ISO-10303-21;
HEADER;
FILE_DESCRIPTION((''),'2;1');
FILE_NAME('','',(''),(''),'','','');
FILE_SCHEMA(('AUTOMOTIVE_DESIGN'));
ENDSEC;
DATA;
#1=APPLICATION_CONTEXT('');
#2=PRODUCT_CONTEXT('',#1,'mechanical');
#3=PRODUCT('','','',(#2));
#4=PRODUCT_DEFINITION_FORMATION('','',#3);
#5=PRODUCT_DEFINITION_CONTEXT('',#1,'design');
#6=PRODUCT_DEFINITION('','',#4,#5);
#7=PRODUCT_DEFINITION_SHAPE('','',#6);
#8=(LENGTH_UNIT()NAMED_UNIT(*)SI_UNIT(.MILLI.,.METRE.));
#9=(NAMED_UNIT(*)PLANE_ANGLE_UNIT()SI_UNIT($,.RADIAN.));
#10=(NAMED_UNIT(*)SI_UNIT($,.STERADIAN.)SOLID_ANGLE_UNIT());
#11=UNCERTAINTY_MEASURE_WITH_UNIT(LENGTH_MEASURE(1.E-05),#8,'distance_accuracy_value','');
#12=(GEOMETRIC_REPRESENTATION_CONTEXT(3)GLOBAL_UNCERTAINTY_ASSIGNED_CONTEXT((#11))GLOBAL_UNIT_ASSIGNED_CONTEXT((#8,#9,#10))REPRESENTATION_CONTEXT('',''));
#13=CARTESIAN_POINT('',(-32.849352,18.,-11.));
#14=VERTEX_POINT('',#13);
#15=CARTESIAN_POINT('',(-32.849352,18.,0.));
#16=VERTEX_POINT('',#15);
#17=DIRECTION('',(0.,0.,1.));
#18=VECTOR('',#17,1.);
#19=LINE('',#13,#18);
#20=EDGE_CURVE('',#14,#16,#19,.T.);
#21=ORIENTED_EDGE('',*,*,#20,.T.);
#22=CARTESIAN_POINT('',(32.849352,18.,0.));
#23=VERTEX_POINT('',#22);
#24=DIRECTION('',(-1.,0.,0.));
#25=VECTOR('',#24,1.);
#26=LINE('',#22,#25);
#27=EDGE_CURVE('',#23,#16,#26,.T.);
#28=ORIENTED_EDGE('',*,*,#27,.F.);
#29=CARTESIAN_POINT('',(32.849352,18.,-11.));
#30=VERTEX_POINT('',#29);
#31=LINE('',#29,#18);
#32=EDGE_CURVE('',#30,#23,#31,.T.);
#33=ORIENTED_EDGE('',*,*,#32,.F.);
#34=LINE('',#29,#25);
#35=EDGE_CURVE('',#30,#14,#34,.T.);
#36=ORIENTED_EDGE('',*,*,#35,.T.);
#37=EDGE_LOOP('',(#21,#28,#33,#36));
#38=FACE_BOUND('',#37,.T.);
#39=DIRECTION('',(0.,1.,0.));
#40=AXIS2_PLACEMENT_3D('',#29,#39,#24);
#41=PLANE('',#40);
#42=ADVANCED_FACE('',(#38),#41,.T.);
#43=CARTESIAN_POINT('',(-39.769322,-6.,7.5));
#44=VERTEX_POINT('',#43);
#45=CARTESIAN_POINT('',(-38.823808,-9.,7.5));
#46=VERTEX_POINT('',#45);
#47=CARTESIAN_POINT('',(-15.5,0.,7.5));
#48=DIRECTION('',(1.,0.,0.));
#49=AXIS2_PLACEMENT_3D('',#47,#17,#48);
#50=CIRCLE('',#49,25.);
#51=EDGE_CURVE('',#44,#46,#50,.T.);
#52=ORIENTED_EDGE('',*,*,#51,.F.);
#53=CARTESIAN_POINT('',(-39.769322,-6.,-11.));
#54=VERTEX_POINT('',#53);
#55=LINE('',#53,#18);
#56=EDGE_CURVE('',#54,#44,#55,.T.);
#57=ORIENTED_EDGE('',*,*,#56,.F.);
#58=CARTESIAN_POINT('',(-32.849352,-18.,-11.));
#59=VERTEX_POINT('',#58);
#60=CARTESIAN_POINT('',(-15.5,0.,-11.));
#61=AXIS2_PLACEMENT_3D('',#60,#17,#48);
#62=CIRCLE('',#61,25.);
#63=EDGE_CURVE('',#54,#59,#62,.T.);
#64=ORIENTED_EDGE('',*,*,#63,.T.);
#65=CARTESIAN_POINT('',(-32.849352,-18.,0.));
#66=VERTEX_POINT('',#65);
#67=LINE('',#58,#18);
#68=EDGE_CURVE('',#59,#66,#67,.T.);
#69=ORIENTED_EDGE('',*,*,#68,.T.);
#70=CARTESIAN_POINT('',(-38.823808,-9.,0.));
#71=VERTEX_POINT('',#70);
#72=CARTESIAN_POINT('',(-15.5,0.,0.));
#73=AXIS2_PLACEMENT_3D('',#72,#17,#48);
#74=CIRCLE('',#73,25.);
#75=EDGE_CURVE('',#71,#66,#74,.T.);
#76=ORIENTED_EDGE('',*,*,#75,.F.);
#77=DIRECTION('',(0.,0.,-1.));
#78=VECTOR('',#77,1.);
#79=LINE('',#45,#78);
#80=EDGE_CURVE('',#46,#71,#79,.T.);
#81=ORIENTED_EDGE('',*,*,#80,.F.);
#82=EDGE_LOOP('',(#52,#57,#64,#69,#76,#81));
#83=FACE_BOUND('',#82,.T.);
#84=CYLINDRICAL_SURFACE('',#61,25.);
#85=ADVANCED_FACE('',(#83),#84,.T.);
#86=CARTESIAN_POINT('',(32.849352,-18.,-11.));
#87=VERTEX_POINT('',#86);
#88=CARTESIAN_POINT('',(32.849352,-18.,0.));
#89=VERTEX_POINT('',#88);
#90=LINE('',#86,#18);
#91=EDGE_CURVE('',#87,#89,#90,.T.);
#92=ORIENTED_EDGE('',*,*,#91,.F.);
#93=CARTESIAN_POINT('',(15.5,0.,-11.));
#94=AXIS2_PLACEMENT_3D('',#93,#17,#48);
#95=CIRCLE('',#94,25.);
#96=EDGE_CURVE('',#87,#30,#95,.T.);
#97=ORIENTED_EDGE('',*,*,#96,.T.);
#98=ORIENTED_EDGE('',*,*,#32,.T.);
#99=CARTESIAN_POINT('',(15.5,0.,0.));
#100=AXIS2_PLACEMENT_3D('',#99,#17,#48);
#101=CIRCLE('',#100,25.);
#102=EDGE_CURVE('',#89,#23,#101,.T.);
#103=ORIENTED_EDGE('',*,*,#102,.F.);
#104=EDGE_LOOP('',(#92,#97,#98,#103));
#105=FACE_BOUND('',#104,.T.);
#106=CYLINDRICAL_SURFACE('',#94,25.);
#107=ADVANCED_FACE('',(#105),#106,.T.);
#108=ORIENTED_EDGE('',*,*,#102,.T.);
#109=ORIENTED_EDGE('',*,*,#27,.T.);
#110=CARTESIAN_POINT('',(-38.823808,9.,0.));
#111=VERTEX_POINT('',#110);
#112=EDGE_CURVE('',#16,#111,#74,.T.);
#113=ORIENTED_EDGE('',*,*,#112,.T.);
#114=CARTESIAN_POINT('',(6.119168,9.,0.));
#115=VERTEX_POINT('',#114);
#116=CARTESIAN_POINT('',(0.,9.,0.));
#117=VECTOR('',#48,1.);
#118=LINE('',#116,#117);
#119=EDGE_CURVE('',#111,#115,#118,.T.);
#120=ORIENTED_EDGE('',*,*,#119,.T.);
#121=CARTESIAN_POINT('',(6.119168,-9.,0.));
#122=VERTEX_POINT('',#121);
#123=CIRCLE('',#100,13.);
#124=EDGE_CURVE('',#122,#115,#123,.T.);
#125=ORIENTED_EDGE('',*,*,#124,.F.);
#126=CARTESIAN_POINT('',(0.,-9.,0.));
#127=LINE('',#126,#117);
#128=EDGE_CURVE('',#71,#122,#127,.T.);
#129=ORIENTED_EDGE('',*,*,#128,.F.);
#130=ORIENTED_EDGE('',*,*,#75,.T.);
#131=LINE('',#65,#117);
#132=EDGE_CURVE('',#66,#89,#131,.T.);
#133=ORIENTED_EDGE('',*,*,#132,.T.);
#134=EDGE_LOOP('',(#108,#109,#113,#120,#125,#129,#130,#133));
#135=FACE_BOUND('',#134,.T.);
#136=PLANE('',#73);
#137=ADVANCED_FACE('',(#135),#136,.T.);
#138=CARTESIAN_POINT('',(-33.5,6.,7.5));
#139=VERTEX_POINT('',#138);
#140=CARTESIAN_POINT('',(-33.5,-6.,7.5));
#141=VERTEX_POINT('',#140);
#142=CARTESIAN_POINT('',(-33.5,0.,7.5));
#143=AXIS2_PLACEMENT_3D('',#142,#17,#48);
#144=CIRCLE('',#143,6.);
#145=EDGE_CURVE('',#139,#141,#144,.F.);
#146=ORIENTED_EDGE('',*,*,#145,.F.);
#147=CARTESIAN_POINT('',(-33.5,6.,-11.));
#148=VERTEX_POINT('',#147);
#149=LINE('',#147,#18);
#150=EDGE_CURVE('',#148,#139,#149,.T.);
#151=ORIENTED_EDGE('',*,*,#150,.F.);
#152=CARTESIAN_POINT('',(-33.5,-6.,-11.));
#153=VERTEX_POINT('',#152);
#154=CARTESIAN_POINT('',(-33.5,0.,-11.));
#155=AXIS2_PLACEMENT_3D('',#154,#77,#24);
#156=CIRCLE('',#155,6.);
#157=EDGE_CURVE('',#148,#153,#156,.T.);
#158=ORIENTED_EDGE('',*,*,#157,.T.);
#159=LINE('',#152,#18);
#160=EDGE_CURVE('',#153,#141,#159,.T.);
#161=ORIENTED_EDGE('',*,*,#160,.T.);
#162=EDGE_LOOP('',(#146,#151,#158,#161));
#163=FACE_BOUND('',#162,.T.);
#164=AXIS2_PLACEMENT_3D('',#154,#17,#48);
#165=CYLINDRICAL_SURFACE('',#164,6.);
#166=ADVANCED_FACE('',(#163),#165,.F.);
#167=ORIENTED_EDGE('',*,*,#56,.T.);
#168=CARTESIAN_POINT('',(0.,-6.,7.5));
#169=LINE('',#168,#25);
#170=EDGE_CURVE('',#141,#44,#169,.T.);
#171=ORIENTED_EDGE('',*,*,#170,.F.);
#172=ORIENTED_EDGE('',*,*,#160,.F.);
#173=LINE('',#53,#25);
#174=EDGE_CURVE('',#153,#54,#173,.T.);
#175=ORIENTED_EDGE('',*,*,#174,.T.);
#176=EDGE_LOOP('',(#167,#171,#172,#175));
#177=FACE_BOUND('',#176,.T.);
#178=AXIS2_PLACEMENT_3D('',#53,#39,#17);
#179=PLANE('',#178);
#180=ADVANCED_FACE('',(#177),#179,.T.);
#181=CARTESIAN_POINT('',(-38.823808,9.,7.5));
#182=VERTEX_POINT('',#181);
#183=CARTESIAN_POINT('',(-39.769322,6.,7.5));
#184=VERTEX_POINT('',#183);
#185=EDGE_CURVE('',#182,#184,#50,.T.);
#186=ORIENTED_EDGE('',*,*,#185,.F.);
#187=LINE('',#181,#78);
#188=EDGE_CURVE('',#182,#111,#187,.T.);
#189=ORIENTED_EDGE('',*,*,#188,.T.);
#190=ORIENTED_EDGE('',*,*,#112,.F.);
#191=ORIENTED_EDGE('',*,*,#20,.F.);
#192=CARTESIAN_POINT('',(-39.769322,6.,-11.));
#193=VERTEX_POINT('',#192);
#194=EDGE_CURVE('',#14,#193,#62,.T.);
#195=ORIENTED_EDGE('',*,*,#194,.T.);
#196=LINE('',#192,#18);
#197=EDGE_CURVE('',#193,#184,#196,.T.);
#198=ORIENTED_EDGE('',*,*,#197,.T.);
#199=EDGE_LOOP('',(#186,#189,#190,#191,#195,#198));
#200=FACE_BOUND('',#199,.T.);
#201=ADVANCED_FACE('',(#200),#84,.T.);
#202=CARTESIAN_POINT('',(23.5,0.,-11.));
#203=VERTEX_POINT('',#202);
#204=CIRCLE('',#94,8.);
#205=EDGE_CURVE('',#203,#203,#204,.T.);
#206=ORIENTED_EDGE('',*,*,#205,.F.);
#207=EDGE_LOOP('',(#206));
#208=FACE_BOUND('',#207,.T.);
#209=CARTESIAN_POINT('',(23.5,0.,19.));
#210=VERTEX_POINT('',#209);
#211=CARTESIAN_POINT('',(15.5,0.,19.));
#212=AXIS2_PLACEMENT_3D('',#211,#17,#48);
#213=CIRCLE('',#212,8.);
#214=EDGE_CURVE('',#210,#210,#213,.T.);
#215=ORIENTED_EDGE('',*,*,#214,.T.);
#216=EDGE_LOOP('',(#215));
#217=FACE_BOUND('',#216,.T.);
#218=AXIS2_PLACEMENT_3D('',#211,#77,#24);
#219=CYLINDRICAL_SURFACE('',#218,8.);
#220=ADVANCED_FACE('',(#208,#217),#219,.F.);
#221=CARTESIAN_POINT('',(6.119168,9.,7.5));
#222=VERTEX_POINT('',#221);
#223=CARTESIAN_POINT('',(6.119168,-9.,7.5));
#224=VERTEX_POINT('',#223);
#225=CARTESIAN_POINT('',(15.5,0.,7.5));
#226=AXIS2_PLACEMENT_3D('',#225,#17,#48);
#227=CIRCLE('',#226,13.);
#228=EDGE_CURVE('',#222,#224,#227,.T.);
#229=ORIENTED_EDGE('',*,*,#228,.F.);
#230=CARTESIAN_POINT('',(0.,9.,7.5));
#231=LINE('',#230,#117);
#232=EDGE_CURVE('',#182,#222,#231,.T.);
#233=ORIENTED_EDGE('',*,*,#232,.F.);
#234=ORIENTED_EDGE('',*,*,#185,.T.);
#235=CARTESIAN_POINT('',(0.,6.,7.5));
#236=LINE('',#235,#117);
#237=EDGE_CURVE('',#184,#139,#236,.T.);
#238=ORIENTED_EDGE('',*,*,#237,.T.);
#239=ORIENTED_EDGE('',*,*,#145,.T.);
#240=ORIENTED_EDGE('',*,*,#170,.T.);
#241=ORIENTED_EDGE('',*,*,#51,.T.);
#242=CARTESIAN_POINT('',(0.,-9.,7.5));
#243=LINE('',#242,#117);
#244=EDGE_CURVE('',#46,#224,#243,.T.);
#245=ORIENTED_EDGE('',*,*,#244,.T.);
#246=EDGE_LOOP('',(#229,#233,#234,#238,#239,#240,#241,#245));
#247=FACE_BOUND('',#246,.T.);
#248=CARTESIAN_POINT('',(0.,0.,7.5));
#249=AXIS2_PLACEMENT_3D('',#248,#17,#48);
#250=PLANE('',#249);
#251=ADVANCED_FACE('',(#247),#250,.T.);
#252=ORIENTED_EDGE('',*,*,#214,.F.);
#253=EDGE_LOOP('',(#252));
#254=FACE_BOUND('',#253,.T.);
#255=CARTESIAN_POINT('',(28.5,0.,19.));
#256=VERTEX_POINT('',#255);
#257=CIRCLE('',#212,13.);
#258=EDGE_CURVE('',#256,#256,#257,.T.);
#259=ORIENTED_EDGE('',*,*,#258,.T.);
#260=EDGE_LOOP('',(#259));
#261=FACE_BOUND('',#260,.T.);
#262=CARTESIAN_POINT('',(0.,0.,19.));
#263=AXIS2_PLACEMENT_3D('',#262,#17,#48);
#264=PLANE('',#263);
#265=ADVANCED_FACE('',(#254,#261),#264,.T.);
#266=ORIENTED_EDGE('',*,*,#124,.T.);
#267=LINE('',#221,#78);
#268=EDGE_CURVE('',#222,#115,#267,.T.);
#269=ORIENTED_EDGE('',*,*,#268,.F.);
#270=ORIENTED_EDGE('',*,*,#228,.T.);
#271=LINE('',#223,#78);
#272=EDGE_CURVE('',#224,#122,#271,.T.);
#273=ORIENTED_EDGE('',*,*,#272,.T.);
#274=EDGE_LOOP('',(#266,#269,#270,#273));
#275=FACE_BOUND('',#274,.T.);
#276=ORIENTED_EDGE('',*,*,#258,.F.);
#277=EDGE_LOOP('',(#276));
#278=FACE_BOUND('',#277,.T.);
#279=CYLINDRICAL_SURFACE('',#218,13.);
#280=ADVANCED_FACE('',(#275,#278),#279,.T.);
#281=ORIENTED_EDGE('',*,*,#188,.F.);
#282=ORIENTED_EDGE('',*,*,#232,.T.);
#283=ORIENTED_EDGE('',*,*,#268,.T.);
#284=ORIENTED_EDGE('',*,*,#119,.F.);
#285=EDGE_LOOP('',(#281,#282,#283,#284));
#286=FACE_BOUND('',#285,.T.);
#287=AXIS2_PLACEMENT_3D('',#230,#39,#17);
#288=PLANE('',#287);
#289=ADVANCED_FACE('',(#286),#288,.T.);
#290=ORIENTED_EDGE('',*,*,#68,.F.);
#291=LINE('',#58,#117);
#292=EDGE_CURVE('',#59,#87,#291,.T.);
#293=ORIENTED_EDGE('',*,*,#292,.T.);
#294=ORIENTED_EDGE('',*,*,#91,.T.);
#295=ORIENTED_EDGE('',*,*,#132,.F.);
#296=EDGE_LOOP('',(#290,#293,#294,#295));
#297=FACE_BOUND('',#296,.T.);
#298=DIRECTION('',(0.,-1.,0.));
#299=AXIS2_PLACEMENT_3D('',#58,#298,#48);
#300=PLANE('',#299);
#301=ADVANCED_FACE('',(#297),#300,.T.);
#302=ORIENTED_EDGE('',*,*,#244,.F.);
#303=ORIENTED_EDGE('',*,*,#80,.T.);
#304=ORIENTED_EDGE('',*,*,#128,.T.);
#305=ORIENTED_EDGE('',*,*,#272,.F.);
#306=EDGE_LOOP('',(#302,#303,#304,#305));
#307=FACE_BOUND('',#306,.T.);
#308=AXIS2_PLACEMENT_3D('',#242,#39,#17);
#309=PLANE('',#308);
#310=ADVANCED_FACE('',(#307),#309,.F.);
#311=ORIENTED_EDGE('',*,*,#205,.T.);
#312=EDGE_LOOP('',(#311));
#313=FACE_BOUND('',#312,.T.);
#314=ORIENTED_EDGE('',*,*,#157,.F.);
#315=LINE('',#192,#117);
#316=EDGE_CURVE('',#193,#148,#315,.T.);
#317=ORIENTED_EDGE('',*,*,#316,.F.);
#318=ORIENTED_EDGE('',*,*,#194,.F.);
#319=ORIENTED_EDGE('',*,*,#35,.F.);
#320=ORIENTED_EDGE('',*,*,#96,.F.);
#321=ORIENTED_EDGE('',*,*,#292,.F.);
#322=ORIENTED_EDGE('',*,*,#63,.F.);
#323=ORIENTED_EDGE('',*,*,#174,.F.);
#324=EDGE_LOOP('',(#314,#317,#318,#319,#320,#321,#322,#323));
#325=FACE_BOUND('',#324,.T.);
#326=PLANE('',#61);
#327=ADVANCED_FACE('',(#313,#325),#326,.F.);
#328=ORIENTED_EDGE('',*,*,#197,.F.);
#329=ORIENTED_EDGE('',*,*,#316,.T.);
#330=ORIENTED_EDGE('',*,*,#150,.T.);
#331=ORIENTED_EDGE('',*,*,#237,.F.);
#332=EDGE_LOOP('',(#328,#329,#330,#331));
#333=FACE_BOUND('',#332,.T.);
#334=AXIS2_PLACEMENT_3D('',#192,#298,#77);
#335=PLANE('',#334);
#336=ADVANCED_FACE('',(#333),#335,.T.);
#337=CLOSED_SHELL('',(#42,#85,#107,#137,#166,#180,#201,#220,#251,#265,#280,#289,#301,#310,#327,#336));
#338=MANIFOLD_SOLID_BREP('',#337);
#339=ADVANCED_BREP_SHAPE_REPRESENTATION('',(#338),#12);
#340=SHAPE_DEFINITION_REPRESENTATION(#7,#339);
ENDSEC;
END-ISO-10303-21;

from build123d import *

# Parameters (mm, degrees)
BOSS_EXTRUDE1_DEPTH = 11
BOSS_EXTRUDE2_DEPTH = 7.5
SKETCH2_3_R         = 13
SKETCH2_3_R_2       = 8
BOSS_EXTRUDE3_DEPTH = 19
SKETCH8_R           = 8
CUT_EXTRUDE1_DEPTH  = 19


with BuildPart() as part:
    # Sketch1 → Boss-Extrude1 (new body)
    with BuildSketch(Plane.XY):
        with BuildLine():
            Line((-32.849351573, -18), (32.849351573, -18))
            ThreePointArc((32.849351573, -18), (40.5, 0), (32.849351573, 18))
            Line((32.849351573, 18), (-32.849351573, 18))
            ThreePointArc((-32.849351573, 18), (-37.157065859, 12.488854966), (-39.769322199, 6))
            Line((-39.769322199, 6), (-33.5, 6))
            ThreePointArc((-33.5, 6), (-27.5, 0), (-33.5, -6))
            Line((-33.5, -6), (-39.769322199, -6))
            ThreePointArc((-39.769322199, -6), (-37.157065859, -12.488854966), (-32.849351573, -18))
        make_face()
    extrude(amount=-BOSS_EXTRUDE1_DEPTH)

    # Sketch2 → Boss-Extrude2 (add)
    with BuildSketch(Plane.XY):
        with BuildLine():
            ThreePointArc((-39.769322199, -6), (-39.343793753, -7.514885194), (-38.823807579, -9))
            Line((-38.823807579, -9), (6.11916848, -9))
            ThreePointArc((6.11916848, -9), (2.5, 0), (6.11916848, 9))
            Line((6.11916848, 9), (-38.823807579, 9))
            ThreePointArc((-38.823807579, 9), (-39.343793753, 7.514885194), (-39.769322199, 6))
            Line((-39.769322199, 6), (-33.5, 6))
            ThreePointArc((-33.5, 6), (-27.5, 0), (-33.5, -6))
            Line((-33.5, -6), (-39.769322199, -6))
        make_face()
    extrude(amount=BOSS_EXTRUDE2_DEPTH)

    # Sketch2<3> → Boss-Extrude3 (add)
    with BuildSketch(Plane.XY):
        with Locations((15.5, 0)):
            Circle(SKETCH2_3_R)
        with Locations((15.5, 0)):
            Circle(SKETCH2_3_R_2, mode=Mode.SUBTRACT)
    extrude(amount=BOSS_EXTRUDE3_DEPTH)

    # Sketch8 → Cut-Extrude1 (cut)
    with BuildSketch(Plane.XY):
        with Locations((15.5, 0)):
            Circle(SKETCH8_R)
    extrude(amount=-CUT_EXTRUDE1_DEPTH, mode=Mode.SUBTRACT)


solid = part.part
